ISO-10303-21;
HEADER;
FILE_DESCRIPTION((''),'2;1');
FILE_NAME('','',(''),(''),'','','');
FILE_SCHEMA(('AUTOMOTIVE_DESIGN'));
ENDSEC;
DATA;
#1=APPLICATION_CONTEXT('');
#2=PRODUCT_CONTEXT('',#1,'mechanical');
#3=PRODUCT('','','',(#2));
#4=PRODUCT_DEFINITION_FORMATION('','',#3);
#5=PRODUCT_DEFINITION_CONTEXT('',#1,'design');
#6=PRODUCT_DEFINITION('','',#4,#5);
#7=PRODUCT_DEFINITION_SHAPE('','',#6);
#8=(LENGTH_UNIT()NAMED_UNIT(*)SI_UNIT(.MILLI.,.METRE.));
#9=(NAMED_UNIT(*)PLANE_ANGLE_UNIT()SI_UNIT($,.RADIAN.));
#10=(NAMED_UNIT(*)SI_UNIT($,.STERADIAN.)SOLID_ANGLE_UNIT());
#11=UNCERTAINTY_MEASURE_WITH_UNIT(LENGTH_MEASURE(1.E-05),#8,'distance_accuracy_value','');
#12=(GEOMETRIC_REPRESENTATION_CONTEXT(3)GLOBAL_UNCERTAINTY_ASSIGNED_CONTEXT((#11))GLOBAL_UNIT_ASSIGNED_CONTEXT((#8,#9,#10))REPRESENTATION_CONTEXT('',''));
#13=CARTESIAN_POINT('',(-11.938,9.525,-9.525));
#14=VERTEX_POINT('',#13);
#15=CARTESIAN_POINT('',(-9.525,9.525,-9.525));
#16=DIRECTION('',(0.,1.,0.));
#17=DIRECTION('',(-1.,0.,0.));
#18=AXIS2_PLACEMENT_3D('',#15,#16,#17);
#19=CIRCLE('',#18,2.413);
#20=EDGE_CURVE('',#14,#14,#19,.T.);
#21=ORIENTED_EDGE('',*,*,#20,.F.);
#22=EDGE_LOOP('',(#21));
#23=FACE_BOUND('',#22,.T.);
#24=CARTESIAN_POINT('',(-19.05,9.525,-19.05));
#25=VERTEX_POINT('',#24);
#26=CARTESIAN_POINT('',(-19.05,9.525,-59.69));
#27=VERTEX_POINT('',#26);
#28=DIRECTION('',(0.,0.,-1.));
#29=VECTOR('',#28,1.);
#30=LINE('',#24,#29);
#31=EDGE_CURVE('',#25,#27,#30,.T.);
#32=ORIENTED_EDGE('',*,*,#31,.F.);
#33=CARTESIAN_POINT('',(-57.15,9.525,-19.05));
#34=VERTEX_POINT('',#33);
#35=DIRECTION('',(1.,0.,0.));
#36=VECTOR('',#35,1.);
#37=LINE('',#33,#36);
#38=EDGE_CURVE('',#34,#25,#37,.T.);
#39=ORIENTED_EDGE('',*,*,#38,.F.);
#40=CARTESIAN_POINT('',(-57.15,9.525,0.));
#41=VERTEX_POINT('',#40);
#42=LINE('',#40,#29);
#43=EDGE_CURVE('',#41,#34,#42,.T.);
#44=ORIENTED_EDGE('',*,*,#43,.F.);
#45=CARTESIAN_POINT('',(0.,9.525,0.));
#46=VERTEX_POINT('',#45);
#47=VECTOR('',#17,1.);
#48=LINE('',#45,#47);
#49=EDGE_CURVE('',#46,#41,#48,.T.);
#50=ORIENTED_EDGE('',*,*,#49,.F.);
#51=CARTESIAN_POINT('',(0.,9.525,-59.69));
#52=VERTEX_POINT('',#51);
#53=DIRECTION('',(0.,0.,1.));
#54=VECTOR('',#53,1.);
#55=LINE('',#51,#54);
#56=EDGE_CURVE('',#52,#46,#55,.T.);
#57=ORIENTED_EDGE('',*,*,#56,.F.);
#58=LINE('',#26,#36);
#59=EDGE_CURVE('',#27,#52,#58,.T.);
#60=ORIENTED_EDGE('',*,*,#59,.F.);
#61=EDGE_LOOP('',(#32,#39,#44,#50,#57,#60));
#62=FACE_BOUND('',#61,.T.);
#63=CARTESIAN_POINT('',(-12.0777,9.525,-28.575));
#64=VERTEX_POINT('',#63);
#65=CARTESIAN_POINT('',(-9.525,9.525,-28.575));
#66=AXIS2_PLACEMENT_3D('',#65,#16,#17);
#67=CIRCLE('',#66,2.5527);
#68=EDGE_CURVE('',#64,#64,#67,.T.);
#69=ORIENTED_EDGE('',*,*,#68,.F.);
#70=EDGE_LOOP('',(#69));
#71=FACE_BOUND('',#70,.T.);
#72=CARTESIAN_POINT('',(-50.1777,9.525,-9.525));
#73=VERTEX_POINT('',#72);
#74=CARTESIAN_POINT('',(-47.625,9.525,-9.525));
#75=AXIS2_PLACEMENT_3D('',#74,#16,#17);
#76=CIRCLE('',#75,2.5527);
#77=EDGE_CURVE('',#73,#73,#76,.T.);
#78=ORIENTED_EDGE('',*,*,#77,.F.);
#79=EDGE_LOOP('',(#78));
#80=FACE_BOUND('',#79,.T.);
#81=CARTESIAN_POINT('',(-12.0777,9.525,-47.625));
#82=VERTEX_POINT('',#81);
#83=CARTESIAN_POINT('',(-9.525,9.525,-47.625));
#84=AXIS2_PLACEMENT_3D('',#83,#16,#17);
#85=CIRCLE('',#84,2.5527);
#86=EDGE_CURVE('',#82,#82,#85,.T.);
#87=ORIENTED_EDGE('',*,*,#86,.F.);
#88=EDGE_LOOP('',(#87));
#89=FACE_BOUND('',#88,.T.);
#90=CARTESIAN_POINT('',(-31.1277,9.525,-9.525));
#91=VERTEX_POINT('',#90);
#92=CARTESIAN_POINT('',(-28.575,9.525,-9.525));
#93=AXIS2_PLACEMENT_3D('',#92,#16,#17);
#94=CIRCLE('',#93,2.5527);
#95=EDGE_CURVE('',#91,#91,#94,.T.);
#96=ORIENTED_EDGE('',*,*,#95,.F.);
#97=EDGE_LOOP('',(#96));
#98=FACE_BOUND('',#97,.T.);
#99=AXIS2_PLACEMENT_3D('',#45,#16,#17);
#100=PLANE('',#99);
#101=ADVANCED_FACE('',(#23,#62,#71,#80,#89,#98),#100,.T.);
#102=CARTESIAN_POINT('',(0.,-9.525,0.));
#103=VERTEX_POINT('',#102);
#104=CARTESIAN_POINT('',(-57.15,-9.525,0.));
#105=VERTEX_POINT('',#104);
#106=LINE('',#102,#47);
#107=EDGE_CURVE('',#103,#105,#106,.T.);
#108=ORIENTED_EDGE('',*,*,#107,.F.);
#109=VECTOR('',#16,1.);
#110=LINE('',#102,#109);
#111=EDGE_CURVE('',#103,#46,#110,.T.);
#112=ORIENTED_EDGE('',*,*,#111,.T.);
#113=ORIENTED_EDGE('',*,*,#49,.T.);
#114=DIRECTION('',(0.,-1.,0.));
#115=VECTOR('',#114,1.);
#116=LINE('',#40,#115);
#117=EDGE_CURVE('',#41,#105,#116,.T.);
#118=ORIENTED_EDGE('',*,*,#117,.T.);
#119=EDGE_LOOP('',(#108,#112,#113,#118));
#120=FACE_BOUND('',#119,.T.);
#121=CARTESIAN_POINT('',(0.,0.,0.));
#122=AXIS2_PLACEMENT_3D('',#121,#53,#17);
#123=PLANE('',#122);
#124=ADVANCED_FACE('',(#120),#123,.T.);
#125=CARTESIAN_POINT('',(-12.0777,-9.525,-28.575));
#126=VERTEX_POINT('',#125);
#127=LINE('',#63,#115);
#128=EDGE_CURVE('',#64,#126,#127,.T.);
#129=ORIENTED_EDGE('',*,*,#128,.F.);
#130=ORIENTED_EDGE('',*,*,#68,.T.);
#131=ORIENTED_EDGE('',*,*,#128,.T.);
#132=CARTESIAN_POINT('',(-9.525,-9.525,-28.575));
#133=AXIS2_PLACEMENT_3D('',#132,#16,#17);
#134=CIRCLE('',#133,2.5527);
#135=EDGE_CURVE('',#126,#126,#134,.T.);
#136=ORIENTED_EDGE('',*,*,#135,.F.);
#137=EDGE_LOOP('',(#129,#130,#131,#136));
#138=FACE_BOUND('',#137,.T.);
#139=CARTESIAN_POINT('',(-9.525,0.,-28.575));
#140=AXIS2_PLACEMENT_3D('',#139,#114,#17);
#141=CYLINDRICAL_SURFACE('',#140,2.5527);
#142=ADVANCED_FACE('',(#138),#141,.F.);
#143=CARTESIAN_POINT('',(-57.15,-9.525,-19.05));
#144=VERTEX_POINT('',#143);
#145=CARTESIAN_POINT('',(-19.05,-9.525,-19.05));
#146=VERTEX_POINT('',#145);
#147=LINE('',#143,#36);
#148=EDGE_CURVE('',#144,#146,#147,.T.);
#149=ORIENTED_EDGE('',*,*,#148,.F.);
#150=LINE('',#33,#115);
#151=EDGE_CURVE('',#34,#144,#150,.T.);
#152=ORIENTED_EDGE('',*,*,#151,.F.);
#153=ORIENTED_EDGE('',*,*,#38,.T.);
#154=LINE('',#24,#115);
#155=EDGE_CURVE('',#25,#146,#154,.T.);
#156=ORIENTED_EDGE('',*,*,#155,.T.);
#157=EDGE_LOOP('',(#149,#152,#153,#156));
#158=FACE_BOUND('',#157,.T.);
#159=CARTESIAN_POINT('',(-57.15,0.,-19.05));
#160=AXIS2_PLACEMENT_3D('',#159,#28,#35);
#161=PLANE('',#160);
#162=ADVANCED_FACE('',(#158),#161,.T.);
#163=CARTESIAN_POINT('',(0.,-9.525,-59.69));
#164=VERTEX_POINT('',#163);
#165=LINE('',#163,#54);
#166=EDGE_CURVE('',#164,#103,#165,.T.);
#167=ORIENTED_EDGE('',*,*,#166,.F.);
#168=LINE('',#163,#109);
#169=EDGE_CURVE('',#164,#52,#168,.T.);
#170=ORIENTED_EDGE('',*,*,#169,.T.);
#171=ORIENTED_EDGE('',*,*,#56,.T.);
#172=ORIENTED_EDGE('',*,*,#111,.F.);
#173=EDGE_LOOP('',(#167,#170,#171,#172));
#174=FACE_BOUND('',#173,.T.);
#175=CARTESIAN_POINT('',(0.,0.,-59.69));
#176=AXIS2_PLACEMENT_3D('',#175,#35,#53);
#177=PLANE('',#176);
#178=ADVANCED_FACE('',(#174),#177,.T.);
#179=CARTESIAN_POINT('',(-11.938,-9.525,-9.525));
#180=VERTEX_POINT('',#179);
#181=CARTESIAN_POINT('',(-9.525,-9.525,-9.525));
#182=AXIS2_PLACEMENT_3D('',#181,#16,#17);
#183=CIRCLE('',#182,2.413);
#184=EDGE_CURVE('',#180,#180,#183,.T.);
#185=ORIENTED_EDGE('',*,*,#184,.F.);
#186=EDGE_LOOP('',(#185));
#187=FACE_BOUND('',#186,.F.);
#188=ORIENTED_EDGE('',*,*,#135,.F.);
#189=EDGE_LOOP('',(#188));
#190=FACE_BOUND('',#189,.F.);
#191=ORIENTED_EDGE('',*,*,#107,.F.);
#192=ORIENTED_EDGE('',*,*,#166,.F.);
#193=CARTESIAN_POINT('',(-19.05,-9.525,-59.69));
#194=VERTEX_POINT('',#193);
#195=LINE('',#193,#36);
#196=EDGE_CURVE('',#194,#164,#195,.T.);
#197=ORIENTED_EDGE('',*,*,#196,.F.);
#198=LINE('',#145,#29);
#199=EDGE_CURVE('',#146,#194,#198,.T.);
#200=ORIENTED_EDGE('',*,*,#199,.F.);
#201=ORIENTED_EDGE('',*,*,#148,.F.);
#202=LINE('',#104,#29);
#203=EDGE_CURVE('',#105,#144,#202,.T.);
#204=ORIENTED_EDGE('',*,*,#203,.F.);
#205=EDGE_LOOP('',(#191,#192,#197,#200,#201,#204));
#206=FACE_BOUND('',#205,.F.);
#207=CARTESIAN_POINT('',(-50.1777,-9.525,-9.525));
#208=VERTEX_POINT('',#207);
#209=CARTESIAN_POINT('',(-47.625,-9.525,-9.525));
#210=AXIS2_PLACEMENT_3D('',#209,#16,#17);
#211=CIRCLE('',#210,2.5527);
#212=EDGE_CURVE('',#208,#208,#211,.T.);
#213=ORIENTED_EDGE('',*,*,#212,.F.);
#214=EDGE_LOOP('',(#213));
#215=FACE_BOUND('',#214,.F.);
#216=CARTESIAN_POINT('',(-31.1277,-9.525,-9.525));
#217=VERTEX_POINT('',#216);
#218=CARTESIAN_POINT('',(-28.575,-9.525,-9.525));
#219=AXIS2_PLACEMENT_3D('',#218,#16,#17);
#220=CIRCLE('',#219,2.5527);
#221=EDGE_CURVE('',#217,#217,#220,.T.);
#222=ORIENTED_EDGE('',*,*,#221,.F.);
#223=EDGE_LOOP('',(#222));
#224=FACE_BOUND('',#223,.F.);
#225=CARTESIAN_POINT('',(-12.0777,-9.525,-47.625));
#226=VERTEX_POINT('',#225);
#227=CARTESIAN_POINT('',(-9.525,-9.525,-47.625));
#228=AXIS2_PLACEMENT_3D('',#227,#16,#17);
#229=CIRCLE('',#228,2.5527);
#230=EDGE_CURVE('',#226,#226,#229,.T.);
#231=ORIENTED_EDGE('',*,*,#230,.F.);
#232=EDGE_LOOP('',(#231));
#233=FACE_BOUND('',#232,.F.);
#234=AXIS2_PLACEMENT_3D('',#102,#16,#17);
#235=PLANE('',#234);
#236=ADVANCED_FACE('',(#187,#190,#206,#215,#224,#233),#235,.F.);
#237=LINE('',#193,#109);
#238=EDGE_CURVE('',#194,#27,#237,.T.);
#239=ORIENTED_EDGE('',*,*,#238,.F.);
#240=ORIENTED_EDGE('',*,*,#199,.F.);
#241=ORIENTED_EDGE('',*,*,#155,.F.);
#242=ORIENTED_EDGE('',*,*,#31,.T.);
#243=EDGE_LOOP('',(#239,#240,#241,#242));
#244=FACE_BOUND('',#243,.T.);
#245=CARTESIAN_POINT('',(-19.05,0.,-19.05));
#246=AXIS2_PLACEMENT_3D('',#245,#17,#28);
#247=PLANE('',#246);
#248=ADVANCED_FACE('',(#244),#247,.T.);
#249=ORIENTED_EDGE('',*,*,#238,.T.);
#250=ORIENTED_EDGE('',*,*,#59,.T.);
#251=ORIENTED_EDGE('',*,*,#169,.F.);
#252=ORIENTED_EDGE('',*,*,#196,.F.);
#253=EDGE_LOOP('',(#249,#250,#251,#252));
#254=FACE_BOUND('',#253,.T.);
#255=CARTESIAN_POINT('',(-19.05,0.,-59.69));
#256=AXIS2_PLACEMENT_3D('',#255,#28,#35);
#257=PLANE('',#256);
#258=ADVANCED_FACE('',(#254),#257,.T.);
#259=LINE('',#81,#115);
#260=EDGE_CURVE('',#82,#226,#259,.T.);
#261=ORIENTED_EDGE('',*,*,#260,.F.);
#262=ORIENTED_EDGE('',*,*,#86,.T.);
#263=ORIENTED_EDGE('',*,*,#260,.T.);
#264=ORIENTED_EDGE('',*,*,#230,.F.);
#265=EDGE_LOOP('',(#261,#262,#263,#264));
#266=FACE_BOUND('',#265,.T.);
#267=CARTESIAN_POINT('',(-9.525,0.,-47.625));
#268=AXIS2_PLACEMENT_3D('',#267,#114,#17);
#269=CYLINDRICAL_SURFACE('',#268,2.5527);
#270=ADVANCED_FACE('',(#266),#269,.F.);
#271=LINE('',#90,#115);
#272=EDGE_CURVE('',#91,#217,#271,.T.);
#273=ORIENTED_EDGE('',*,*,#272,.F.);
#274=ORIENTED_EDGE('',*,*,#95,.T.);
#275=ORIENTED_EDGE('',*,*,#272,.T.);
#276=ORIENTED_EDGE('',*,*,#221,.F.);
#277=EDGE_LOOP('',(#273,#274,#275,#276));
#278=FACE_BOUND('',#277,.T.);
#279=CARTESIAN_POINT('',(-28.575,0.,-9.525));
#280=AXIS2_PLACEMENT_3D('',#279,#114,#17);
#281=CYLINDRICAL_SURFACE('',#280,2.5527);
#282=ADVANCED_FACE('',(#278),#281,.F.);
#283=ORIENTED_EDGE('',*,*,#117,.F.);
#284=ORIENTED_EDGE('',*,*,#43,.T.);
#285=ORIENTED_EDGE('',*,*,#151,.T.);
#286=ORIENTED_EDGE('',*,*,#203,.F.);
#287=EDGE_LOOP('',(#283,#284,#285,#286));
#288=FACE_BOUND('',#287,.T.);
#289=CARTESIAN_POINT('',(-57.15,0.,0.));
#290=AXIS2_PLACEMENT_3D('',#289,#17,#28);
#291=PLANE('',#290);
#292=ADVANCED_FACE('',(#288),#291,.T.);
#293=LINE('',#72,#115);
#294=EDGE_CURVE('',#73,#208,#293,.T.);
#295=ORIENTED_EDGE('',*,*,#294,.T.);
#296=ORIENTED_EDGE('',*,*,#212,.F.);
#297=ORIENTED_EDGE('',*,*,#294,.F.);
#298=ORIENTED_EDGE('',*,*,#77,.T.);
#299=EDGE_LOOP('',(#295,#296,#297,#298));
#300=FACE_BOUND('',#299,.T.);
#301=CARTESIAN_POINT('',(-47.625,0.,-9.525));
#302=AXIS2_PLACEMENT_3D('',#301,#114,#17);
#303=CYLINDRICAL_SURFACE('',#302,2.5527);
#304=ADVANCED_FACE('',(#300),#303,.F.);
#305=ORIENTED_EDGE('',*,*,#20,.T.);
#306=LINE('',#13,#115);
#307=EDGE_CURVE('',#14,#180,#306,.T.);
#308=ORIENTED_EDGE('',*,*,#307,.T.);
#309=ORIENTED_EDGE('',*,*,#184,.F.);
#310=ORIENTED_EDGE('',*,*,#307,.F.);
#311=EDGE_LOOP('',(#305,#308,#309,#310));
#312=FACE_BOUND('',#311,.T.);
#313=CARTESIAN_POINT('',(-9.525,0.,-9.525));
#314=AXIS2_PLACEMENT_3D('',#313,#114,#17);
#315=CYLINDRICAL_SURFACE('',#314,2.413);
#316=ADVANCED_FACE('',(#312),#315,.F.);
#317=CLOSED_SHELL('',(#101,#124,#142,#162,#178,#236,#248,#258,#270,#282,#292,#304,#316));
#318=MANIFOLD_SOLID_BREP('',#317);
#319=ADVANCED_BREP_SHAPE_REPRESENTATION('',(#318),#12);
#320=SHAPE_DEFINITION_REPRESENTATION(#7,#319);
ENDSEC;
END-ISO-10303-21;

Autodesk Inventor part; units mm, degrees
ref_plane "YZ Plane" through (0, 0, 0) normal (1, 0, 0) x (0, 1, 0)
ref_plane "XZ Plane" through (0, 0, 0) normal (0, 1, 0) x (-1, 0, 0)
ref_plane "XY Plane" through (0, 0, 0) normal (0, 0, 1) x (1, 0, 0)
sketch "Sketch1" plane through (0, 0, 0) normal (0, 1, 0) x (-1, 0, 0)
  line L0 (0, 0) -> (57.15, 0)
  line L1 (57.15, 0) -> (57.15, -19.05)
  line L2 (57.15, -19.05) -> (19.05, -19.05)
  line L3 (19.05, -19.05) -> (19.05, -59.69)
  line L4 (19.05, -59.69) -> (0, -59.69)
  line L5 (0, -59.69) -> (0, 0)
  circle A0 centre (28.575, -9.525) radius 2.5527
  circle A1 centre (47.625, -9.525) radius 2.5527
  line L6 (19.05, -19.05) -> (0, 0) construction
  circle A2 centre (9.525, -28.575) radius 2.5527
  circle A3 centre (9.525, -47.625) radius 2.5527
  circle A4 centre (9.525, -9.525) radius 2.413
  point P0 (57.15, -9.525)
  dimension "d0" = 19.05
  dimension "d1" = 19.05
  dimension "d2" = 59.69
  dimension "d3" = 57.15
  dimension "d4" = 5.1054
  dimension "d5" = 28.575
  dimension "d6" = 19.05
  dimension "d19" = 4.826
extrude "Extrusion1" add sketch "Sketch1" along normal mid plane 19.05
thread "Thread1" size "1/4-20 UNC" class "2B" standard "ANSI Unified Screw Threads" full length
thread "Thread2" size "1/4-20 UNC" class "2B" standard "ANSI Unified Screw Threads" full length
thread "Thread3" size "1/4-20 UNC" class "2B" standard "ANSI Unified Screw Threads" full length
thread "Thread4" size "1/4-20 UNC" class "2B" standard "ANSI Unified Screw Threads" full length
thread "Thread5" size "10-32 UNF" class "2B" standard "ANSI Unified Screw Threads" full length
properties part number "STRU_004_DoubleBillet_90_2.25in" material "Aluminum 6061"
